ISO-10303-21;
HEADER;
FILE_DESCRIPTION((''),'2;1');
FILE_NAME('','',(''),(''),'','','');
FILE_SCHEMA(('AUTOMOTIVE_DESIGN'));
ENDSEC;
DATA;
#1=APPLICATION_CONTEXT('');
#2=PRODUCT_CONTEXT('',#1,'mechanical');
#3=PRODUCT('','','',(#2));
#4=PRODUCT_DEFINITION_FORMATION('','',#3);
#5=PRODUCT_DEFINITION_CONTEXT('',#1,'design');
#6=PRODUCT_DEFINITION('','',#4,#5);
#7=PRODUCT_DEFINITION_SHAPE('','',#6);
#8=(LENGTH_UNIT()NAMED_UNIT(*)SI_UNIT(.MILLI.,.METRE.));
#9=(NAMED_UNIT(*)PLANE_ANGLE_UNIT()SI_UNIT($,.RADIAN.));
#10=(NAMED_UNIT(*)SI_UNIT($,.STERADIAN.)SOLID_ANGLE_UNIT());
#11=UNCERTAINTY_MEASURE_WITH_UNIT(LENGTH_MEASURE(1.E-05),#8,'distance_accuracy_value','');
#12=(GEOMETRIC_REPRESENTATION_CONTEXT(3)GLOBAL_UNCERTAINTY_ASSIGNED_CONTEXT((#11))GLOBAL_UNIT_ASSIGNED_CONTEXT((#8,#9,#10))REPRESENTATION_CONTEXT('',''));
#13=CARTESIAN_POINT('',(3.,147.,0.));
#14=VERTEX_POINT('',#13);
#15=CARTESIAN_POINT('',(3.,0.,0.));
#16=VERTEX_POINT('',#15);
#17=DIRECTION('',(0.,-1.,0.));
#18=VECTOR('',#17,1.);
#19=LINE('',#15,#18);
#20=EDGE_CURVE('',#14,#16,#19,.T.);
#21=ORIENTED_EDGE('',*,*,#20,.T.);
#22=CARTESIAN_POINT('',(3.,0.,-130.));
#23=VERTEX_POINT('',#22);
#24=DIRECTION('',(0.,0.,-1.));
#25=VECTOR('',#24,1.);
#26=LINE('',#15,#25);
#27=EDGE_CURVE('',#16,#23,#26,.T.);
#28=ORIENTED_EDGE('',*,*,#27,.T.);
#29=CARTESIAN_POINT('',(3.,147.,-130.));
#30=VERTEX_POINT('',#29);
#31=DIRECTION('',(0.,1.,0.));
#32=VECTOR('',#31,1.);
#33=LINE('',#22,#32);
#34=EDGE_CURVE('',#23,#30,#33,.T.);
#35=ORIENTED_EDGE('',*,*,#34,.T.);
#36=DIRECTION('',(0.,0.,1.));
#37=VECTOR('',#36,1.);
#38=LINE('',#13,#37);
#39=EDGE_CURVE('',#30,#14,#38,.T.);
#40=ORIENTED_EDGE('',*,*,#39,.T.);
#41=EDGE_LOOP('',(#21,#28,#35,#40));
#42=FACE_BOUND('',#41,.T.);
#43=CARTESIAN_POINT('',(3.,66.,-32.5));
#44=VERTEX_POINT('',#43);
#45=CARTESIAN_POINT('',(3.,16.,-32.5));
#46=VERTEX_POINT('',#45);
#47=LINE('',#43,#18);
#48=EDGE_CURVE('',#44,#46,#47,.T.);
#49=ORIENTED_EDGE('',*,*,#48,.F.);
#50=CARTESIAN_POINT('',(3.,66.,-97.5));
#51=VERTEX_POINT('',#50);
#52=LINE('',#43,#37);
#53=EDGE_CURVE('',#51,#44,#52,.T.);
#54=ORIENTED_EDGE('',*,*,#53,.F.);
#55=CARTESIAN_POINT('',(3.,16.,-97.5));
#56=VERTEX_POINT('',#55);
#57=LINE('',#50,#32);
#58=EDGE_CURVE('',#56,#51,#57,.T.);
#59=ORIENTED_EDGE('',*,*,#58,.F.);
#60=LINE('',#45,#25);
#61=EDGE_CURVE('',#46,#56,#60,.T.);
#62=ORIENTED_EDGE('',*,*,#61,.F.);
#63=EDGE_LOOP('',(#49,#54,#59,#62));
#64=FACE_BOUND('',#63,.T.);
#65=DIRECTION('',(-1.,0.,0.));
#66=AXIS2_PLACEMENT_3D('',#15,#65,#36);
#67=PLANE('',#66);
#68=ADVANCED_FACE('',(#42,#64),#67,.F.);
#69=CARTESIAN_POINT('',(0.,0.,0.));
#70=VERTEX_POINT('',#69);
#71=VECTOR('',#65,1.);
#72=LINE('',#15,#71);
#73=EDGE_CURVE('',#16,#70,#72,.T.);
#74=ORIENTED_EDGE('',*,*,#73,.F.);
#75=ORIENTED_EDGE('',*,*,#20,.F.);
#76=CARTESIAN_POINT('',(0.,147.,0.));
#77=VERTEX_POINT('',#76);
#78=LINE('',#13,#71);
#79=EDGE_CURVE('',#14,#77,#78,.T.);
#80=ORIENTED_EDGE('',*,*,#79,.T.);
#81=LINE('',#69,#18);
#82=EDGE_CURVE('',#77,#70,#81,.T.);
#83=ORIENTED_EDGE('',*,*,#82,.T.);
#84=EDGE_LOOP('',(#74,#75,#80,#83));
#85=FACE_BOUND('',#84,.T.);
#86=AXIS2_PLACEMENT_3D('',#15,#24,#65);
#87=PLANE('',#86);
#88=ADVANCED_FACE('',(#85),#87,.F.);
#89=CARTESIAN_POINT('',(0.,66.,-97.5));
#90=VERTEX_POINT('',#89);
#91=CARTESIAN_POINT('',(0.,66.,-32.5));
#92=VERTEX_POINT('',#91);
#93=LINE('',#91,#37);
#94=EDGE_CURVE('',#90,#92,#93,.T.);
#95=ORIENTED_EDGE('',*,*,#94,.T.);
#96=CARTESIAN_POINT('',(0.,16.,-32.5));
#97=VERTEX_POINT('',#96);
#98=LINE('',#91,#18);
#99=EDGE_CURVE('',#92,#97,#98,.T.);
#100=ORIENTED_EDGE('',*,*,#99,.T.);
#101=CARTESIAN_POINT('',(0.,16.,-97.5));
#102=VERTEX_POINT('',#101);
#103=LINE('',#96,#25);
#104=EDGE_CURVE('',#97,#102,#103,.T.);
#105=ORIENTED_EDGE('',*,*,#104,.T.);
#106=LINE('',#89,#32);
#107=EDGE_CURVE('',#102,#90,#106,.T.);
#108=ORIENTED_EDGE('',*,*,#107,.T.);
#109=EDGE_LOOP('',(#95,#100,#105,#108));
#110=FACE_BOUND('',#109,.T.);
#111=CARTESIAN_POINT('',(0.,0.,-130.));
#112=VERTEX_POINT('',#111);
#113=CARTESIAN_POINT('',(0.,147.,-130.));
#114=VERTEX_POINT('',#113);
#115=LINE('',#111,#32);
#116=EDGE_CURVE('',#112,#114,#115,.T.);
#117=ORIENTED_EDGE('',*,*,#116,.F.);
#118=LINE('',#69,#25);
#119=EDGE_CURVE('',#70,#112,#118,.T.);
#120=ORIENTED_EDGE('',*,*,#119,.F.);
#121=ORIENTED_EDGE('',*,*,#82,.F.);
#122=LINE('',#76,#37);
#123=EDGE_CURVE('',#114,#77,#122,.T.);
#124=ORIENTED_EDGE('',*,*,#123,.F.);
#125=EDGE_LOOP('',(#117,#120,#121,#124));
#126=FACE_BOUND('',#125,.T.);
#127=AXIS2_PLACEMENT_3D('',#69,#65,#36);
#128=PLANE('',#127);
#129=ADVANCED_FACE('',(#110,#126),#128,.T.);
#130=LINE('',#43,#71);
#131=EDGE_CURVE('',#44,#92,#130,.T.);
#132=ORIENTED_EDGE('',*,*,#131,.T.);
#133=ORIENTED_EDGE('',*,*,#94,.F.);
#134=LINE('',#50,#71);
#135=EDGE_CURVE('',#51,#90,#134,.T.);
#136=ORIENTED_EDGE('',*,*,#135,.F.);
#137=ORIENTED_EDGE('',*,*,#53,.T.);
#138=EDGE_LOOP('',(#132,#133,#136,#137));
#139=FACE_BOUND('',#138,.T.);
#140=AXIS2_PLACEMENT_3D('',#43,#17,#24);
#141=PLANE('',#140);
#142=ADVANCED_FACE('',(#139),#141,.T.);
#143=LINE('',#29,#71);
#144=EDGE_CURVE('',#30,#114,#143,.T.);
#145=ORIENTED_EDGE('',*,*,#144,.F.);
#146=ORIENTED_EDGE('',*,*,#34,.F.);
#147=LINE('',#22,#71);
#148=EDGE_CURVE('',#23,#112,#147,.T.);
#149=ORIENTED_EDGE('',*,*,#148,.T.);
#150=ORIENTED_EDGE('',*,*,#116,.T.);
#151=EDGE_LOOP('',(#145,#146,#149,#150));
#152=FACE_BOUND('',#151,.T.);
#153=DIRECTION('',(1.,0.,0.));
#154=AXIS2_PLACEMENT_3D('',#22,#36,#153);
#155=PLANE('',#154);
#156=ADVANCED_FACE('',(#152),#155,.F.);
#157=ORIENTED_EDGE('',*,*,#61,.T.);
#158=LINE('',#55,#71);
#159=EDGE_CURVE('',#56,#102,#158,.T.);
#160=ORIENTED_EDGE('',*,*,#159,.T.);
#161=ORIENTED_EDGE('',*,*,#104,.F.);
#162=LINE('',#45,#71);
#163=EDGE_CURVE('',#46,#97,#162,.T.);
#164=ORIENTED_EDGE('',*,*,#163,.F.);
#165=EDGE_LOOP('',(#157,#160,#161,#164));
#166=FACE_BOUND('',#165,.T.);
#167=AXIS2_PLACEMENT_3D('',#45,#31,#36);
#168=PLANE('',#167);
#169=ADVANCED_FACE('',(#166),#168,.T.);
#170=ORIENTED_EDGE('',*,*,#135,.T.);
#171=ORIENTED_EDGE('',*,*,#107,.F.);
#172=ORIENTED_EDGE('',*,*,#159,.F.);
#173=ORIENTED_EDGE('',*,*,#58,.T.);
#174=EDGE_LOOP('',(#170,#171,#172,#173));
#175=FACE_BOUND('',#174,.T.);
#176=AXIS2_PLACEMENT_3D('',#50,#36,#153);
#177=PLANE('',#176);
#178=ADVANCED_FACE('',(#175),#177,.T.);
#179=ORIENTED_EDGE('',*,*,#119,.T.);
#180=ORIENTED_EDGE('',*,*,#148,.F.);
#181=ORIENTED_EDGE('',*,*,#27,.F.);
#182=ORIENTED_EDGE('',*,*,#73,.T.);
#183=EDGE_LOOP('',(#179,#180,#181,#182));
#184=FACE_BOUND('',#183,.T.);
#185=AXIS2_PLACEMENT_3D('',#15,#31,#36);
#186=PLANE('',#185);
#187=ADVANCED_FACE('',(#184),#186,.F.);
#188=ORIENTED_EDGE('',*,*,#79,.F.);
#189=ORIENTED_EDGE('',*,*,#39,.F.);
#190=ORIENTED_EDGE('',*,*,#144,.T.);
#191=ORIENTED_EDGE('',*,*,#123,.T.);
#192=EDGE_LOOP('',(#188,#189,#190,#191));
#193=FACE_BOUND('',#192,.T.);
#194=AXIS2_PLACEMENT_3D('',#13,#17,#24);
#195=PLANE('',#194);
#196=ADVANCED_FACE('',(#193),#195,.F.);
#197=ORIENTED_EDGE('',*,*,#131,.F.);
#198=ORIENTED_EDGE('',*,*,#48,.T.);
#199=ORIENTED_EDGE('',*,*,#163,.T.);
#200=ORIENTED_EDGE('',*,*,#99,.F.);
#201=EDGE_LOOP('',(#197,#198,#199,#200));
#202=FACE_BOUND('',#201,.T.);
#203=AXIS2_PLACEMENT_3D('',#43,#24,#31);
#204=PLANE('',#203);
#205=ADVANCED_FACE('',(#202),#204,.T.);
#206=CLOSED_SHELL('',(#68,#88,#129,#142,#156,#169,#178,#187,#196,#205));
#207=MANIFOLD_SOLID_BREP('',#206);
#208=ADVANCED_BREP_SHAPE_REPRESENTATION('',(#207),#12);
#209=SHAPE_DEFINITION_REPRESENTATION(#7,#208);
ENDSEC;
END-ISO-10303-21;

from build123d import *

# Parameters (mm, degrees)
SKETCH1_W           = 130
SKETCH1_H           = 147
SKETCH1_W_2         = 65
SKETCH1_H_2         = 50
BOSS_EXTRUDE2_DEPTH = 3


with BuildPart() as part:
    # Sketch1 → Boss-Extrude2 (new body)
    with BuildSketch(Plane(origin=(0, 0, 0), x_dir=(0, 0, -1), z_dir=(1, 0, 0))):
        with Locations((65, 73.5)):
            Rectangle(SKETCH1_W, SKETCH1_H)
        with Locations((65, 41)):
            Rectangle(SKETCH1_W_2, SKETCH1_H_2, mode=Mode.SUBTRACT)
    extrude(amount=BOSS_EXTRUDE2_DEPTH)


solid = part.part
